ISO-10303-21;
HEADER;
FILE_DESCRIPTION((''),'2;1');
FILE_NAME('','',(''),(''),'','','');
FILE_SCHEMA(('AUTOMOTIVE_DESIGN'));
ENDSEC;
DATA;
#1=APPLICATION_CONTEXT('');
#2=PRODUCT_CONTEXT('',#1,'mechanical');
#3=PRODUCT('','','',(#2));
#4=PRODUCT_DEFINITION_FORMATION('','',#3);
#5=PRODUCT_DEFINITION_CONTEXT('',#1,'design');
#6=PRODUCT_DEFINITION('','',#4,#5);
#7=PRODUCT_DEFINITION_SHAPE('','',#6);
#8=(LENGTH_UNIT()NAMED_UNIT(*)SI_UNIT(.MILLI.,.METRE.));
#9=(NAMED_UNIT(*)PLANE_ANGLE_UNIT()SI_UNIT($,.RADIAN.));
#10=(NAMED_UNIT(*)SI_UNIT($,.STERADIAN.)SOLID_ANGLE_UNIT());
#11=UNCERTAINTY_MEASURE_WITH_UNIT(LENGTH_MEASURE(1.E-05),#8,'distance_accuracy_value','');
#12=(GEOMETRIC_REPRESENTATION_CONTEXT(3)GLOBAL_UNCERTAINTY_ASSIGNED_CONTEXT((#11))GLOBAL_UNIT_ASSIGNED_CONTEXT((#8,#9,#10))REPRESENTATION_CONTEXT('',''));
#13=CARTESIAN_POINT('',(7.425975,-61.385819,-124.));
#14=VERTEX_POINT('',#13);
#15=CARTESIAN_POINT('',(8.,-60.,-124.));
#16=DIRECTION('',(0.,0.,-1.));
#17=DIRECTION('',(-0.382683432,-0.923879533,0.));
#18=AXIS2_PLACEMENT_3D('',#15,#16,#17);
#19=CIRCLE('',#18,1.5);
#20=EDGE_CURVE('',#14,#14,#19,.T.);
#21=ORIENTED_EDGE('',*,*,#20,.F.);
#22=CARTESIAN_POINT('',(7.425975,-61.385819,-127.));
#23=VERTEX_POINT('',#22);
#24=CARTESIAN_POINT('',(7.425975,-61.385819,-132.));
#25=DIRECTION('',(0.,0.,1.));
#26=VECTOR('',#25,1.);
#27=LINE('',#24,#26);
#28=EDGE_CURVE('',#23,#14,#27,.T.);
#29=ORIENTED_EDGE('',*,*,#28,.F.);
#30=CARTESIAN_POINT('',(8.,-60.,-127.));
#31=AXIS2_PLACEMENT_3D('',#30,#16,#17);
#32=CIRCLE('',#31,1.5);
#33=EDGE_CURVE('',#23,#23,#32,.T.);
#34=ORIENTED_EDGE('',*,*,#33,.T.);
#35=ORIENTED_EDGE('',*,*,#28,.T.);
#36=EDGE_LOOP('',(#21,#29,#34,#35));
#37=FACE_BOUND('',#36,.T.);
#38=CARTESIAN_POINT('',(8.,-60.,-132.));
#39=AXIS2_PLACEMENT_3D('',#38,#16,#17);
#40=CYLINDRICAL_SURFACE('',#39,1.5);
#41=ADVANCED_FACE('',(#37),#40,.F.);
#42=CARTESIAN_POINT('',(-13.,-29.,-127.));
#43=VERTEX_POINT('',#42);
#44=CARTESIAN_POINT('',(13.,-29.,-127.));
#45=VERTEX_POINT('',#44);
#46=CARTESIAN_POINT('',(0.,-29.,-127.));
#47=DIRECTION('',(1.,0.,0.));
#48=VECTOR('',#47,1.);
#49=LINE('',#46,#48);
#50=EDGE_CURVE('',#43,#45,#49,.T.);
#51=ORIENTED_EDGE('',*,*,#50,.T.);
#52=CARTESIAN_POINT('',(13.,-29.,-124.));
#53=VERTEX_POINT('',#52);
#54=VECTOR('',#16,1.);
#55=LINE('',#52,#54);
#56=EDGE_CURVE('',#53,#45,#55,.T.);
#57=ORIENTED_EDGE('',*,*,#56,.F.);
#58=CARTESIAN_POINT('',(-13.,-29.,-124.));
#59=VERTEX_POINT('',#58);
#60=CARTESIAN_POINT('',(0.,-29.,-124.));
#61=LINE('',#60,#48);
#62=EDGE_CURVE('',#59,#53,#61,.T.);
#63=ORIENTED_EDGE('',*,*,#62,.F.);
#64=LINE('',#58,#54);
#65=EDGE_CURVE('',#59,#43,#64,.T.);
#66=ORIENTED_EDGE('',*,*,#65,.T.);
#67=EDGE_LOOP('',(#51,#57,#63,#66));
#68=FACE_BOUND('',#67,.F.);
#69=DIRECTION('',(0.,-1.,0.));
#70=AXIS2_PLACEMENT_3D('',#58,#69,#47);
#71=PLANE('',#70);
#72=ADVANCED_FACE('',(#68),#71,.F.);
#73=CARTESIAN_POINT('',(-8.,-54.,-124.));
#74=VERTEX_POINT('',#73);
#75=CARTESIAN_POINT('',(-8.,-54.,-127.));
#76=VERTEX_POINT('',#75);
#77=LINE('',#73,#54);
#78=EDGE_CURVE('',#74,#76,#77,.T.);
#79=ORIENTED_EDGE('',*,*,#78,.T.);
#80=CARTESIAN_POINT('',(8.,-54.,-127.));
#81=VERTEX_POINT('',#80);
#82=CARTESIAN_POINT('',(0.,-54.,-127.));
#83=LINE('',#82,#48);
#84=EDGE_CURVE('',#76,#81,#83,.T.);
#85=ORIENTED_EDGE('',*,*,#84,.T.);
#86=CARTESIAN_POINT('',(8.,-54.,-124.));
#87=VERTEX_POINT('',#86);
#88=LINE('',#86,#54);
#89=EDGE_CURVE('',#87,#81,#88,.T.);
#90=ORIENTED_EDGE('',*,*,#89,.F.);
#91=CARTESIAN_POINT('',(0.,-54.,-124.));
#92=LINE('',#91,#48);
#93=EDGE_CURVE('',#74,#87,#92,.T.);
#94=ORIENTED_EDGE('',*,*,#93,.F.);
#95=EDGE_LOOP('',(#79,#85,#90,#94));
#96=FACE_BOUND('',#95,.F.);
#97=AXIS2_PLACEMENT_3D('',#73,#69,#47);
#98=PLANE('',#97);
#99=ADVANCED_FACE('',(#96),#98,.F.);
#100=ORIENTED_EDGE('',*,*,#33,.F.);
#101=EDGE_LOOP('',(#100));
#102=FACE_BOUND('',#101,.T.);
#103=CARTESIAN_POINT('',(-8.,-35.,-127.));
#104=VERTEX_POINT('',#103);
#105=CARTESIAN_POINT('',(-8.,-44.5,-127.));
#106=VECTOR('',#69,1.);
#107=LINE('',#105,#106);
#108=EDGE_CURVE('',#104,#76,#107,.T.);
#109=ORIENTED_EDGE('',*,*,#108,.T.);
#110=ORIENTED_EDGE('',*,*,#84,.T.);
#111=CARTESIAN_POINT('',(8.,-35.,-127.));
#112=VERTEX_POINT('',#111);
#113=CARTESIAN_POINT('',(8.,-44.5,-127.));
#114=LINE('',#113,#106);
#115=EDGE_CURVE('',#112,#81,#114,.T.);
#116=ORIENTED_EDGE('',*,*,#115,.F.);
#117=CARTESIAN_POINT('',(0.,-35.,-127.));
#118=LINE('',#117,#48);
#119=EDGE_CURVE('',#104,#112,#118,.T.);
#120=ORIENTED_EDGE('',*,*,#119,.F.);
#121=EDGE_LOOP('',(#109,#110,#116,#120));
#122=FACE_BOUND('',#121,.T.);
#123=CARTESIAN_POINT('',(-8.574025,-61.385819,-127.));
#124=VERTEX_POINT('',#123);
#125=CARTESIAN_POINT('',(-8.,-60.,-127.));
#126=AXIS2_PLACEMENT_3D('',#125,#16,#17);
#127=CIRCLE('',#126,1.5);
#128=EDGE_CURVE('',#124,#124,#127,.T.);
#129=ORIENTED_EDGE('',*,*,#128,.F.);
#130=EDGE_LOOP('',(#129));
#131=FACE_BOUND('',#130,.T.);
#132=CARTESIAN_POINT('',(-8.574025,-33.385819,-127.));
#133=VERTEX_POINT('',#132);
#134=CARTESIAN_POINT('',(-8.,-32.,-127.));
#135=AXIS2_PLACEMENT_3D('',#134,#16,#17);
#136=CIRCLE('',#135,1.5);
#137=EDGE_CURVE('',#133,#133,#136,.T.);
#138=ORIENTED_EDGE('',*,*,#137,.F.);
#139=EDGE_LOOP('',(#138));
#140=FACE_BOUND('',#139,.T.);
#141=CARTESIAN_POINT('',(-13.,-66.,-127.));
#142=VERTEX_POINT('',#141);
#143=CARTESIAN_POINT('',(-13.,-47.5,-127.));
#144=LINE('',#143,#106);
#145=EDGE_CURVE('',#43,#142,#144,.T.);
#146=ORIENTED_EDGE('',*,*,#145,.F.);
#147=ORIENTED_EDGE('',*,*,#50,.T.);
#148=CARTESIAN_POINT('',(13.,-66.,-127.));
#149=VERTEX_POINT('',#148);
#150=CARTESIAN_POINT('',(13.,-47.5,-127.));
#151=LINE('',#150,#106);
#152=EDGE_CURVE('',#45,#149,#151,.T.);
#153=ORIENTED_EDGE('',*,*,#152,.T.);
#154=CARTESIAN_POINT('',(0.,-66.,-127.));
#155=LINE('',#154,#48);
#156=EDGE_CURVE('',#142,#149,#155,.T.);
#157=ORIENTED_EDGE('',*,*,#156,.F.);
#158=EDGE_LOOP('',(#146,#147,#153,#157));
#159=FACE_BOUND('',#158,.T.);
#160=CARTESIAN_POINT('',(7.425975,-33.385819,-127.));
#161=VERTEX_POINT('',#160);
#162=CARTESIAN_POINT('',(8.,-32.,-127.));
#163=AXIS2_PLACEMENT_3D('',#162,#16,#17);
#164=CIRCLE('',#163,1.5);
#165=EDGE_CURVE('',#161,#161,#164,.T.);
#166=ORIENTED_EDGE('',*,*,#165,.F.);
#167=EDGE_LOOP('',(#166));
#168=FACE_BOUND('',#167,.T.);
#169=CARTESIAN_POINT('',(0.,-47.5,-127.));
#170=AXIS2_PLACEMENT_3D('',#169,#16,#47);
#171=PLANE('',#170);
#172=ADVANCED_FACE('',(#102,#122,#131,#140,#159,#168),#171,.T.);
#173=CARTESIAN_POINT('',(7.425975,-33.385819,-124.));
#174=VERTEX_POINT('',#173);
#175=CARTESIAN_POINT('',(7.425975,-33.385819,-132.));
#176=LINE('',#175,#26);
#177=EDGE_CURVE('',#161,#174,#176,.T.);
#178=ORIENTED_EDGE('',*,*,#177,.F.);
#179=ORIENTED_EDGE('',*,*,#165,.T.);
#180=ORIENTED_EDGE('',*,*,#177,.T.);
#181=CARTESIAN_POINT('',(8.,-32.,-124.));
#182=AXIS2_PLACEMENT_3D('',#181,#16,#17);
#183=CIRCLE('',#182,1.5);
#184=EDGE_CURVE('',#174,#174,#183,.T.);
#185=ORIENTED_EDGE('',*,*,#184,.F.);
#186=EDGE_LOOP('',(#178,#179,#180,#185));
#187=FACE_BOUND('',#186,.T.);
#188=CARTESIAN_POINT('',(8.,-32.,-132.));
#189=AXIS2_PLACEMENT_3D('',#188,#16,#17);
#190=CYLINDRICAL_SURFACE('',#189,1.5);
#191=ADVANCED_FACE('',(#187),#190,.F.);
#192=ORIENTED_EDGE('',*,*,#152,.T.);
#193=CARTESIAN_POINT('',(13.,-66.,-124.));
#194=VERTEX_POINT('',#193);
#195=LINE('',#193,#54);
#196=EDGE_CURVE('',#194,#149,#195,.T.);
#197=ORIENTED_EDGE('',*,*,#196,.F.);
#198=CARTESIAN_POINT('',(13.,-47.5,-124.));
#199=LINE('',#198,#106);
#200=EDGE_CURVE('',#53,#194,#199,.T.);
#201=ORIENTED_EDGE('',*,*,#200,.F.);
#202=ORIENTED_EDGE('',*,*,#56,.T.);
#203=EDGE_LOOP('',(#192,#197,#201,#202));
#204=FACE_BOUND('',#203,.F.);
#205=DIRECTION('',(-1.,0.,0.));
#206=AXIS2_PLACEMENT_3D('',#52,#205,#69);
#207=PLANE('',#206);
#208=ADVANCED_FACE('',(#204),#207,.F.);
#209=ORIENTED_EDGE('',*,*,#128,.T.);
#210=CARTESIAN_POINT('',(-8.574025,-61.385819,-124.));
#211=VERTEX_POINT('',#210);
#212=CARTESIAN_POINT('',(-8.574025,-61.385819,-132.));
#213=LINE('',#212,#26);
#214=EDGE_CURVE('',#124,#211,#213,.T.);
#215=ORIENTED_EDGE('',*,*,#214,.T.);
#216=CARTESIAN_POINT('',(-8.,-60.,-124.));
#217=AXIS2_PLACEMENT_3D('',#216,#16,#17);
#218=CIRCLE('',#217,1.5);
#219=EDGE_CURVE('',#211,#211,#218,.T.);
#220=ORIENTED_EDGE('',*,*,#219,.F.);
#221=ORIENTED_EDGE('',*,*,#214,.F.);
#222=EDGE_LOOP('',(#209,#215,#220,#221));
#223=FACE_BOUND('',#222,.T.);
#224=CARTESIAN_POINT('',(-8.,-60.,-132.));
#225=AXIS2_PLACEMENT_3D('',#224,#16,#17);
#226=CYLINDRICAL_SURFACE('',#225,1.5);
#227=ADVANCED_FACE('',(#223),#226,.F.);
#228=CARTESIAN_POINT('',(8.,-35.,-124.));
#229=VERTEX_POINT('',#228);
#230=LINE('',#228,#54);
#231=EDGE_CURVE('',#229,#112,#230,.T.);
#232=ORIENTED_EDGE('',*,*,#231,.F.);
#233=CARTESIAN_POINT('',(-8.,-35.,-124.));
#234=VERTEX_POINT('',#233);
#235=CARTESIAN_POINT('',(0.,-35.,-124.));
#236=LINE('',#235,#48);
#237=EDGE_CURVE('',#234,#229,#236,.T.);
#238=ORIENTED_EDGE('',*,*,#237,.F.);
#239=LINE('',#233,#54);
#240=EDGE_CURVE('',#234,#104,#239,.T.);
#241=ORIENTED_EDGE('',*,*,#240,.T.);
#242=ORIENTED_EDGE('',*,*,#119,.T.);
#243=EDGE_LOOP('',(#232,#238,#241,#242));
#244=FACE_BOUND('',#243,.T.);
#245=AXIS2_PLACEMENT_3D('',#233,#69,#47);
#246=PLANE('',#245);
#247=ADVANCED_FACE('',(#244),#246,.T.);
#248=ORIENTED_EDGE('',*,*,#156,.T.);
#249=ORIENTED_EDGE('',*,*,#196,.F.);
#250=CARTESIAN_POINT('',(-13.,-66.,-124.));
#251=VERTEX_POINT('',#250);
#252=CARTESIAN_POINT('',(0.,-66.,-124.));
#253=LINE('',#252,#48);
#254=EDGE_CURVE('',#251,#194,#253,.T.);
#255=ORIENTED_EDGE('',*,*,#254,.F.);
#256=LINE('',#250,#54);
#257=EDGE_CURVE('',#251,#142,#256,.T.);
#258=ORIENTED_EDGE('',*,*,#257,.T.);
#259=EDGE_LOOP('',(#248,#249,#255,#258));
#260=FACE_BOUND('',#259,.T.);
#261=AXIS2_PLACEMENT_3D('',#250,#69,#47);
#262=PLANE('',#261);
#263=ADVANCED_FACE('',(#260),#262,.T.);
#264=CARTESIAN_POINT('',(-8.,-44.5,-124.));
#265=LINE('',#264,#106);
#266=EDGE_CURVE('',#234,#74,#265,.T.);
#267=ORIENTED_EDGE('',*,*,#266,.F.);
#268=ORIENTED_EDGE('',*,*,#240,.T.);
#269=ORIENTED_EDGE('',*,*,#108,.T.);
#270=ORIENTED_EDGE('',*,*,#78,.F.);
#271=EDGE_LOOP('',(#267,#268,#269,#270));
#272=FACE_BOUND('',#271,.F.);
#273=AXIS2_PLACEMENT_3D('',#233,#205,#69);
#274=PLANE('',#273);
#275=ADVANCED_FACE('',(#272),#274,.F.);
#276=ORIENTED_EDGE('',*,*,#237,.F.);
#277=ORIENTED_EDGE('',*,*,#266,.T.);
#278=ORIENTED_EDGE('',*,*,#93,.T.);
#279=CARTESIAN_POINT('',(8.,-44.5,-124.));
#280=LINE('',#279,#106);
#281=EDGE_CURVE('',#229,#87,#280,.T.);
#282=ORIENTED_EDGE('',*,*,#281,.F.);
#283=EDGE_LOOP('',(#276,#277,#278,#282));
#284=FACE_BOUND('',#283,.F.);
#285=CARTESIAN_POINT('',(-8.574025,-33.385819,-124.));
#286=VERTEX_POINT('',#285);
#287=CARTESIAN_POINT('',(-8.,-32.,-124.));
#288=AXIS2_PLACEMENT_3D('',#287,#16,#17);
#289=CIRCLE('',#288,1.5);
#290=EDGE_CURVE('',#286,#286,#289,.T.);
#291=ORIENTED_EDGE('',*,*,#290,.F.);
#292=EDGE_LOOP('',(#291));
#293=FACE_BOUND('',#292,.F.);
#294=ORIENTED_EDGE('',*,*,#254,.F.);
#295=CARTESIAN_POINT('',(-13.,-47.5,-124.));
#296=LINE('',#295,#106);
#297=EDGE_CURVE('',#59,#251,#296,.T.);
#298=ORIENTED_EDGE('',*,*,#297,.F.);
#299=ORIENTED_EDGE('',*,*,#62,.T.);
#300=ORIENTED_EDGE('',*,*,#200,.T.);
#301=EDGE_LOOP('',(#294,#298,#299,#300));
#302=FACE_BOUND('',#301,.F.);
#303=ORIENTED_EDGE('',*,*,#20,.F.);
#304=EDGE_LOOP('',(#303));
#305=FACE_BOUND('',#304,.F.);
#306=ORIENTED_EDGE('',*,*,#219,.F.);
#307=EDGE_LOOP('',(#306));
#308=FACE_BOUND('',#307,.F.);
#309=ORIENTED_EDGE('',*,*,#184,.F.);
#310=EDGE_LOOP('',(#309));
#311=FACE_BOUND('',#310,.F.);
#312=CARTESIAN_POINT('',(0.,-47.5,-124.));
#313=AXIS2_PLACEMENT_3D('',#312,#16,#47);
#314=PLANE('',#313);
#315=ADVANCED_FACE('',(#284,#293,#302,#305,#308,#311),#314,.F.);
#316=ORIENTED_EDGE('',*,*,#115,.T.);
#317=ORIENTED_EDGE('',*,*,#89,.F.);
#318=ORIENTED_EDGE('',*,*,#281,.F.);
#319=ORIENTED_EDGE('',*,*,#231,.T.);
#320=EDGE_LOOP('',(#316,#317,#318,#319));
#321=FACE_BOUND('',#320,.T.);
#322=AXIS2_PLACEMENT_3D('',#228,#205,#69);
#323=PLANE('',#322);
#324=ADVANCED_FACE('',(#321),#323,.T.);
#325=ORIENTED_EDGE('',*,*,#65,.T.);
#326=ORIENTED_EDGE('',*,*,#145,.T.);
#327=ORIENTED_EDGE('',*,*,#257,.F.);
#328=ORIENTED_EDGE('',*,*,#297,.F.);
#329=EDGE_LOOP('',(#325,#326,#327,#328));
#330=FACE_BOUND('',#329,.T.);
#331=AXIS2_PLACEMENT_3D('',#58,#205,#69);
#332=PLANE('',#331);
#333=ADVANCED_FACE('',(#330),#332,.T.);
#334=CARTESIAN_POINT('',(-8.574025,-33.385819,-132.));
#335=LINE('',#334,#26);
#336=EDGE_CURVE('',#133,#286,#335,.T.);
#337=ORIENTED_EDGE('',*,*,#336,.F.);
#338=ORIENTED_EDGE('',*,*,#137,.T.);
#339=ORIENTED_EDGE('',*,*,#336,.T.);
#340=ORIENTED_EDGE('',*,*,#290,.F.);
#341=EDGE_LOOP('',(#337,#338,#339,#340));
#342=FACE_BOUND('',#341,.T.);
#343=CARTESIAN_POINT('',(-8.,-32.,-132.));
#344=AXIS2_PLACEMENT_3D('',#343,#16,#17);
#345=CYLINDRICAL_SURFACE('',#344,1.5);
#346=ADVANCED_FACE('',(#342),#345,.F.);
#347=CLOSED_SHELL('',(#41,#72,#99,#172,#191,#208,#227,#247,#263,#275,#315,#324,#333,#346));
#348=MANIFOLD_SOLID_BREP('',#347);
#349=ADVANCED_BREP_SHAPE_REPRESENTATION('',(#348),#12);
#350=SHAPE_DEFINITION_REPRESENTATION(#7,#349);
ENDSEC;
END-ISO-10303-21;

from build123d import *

# Parameters (mm, degrees)
CYLINDER1886_R               = 1.5
CYLINDER1886_DEPTH           = 20
CYLINDER1886_PLACEMENT_ANGLE = -112.5
CYLINDER1887_R               = 1.5
CYLINDER1887_DEPTH           = 20
CYLINDER1887_PLACEMENT_ANGLE = 112.5
CYLINDER1889_R               = 1.5
CYLINDER1889_DEPTH           = 20
CYLINDER1889_PLACEMENT_ANGLE = 112.5
CYLINDER1888_R               = 1.5
CYLINDER1888_DEPTH           = 20
CYLINDER1888_PLACEMENT_ANGLE = -112.5
BOX747_W                     = 16
BOX747_H                     = 19
BOX747_DEPTH                 = 3
BOX746_W                     = 26
BOX746_H                     = 37
BOX746_DEPTH                 = 3
CUT684_PLACEMENT_ANGLE       = 180


with BuildPart() as v_lec1886:
    # Cylinder1886 → Cylinder1886 (new body)
    with BuildSketch(Plane.XY):
        Circle(CYLINDER1886_R)
    extrude(amount=CYLINDER1886_DEPTH)


with BuildPart() as v_lec1886_1:
    # Cylinder1886 placement: moved
    add(v_lec1886.part.moved(Location((-8, 34, 51))).rotate(Axis((-8, 34, 51), (0, 0, 1)), CYLINDER1886_PLACEMENT_ANGLE))


with BuildPart() as v_lec1887:
    # Cylinder1887 → Cylinder1887 (new body)
    with BuildSketch(Plane.XY):
        Circle(CYLINDER1887_R)
    extrude(amount=CYLINDER1887_DEPTH)


with BuildPart() as v_lec1887_1:
    # Cylinder1887 placement: moved
    add(v_lec1887.part.moved(Location((8, 62, 51))).rotate(Axis((8, 62, 51), (0, 0, -1)), CYLINDER1887_PLACEMENT_ANGLE))


with BuildPart() as v_lec1889:
    # Cylinder1889 → Cylinder1889 (new body)
    with BuildSketch(Plane.XY):
        Circle(CYLINDER1889_R)
    extrude(amount=CYLINDER1889_DEPTH)


with BuildPart() as v_lec1889_1:
    # Cylinder1889 placement: moved
    add(v_lec1889.part.moved(Location((-8, 62, 51))).rotate(Axis((-8, 62, 51), (0, 0, -1)), CYLINDER1889_PLACEMENT_ANGLE))


with BuildPart() as compound846:
    # Cylinder1888 → Cylinder1888 (new body)
    with BuildSketch(Plane.XY):
        Circle(CYLINDER1888_R)
    extrude(amount=CYLINDER1888_DEPTH)


with BuildPart() as compound846_1:
    # Cylinder1888 placement: moved
    add(compound846.part.moved(Location((8, 34, 51))).rotate(Axis((8, 34, 51), (0, 0, 1)), CYLINDER1888_PLACEMENT_ANGLE))

    # Compound846: union Válec1886, Válec1887, Válec1889
    add(v_lec1886_1.part)
    add(v_lec1887_1.part)
    add(v_lec1889_1.part)


with BuildPart() as compound846_2:
    # Compound846 placement: moved
    add(compound846_1.part.moved(Location((0, -94, -180))))


with BuildPart() as krychle746:
    # Box747 → Box747 (new body)
    with BuildSketch(Plane(origin=(-8, 37, 27), x_dir=(1, 0, 0), z_dir=(0, 0, 1))):
        with Locations((8, 9.5)):
            Rectangle(BOX747_W, BOX747_H)
    extrude(amount=BOX747_DEPTH)


with BuildPart() as cut685:
    # Box746 → Box746 (new body)
    with BuildSketch(Plane(origin=(-13, 31, 27), x_dir=(1, 0, 0), z_dir=(0, 0, 1))):
        with Locations((13, 18.5)):
            Rectangle(BOX746_W, BOX746_H)
    extrude(amount=BOX746_DEPTH)

    # Cut684: cut Krychle746
    add(krychle746.part, mode=Mode.SUBTRACT)


with BuildPart() as cut685_1:
    # Cut684 placement: moved
    add(cut685.part.moved(Location((0, 2, -94))).rotate(Axis((0, 2, -94), (1, 0, 0)), CUT684_PLACEMENT_ANGLE))

    # Cut685: cut Compound846
    add(compound846_2.part, mode=Mode.SUBTRACT)


with BuildPart() as cut685_2:
    # Cut685 placement: moved
    add(cut685_1.part.moved(Location((0, 0, -3))))


solid = cut685_2.part
